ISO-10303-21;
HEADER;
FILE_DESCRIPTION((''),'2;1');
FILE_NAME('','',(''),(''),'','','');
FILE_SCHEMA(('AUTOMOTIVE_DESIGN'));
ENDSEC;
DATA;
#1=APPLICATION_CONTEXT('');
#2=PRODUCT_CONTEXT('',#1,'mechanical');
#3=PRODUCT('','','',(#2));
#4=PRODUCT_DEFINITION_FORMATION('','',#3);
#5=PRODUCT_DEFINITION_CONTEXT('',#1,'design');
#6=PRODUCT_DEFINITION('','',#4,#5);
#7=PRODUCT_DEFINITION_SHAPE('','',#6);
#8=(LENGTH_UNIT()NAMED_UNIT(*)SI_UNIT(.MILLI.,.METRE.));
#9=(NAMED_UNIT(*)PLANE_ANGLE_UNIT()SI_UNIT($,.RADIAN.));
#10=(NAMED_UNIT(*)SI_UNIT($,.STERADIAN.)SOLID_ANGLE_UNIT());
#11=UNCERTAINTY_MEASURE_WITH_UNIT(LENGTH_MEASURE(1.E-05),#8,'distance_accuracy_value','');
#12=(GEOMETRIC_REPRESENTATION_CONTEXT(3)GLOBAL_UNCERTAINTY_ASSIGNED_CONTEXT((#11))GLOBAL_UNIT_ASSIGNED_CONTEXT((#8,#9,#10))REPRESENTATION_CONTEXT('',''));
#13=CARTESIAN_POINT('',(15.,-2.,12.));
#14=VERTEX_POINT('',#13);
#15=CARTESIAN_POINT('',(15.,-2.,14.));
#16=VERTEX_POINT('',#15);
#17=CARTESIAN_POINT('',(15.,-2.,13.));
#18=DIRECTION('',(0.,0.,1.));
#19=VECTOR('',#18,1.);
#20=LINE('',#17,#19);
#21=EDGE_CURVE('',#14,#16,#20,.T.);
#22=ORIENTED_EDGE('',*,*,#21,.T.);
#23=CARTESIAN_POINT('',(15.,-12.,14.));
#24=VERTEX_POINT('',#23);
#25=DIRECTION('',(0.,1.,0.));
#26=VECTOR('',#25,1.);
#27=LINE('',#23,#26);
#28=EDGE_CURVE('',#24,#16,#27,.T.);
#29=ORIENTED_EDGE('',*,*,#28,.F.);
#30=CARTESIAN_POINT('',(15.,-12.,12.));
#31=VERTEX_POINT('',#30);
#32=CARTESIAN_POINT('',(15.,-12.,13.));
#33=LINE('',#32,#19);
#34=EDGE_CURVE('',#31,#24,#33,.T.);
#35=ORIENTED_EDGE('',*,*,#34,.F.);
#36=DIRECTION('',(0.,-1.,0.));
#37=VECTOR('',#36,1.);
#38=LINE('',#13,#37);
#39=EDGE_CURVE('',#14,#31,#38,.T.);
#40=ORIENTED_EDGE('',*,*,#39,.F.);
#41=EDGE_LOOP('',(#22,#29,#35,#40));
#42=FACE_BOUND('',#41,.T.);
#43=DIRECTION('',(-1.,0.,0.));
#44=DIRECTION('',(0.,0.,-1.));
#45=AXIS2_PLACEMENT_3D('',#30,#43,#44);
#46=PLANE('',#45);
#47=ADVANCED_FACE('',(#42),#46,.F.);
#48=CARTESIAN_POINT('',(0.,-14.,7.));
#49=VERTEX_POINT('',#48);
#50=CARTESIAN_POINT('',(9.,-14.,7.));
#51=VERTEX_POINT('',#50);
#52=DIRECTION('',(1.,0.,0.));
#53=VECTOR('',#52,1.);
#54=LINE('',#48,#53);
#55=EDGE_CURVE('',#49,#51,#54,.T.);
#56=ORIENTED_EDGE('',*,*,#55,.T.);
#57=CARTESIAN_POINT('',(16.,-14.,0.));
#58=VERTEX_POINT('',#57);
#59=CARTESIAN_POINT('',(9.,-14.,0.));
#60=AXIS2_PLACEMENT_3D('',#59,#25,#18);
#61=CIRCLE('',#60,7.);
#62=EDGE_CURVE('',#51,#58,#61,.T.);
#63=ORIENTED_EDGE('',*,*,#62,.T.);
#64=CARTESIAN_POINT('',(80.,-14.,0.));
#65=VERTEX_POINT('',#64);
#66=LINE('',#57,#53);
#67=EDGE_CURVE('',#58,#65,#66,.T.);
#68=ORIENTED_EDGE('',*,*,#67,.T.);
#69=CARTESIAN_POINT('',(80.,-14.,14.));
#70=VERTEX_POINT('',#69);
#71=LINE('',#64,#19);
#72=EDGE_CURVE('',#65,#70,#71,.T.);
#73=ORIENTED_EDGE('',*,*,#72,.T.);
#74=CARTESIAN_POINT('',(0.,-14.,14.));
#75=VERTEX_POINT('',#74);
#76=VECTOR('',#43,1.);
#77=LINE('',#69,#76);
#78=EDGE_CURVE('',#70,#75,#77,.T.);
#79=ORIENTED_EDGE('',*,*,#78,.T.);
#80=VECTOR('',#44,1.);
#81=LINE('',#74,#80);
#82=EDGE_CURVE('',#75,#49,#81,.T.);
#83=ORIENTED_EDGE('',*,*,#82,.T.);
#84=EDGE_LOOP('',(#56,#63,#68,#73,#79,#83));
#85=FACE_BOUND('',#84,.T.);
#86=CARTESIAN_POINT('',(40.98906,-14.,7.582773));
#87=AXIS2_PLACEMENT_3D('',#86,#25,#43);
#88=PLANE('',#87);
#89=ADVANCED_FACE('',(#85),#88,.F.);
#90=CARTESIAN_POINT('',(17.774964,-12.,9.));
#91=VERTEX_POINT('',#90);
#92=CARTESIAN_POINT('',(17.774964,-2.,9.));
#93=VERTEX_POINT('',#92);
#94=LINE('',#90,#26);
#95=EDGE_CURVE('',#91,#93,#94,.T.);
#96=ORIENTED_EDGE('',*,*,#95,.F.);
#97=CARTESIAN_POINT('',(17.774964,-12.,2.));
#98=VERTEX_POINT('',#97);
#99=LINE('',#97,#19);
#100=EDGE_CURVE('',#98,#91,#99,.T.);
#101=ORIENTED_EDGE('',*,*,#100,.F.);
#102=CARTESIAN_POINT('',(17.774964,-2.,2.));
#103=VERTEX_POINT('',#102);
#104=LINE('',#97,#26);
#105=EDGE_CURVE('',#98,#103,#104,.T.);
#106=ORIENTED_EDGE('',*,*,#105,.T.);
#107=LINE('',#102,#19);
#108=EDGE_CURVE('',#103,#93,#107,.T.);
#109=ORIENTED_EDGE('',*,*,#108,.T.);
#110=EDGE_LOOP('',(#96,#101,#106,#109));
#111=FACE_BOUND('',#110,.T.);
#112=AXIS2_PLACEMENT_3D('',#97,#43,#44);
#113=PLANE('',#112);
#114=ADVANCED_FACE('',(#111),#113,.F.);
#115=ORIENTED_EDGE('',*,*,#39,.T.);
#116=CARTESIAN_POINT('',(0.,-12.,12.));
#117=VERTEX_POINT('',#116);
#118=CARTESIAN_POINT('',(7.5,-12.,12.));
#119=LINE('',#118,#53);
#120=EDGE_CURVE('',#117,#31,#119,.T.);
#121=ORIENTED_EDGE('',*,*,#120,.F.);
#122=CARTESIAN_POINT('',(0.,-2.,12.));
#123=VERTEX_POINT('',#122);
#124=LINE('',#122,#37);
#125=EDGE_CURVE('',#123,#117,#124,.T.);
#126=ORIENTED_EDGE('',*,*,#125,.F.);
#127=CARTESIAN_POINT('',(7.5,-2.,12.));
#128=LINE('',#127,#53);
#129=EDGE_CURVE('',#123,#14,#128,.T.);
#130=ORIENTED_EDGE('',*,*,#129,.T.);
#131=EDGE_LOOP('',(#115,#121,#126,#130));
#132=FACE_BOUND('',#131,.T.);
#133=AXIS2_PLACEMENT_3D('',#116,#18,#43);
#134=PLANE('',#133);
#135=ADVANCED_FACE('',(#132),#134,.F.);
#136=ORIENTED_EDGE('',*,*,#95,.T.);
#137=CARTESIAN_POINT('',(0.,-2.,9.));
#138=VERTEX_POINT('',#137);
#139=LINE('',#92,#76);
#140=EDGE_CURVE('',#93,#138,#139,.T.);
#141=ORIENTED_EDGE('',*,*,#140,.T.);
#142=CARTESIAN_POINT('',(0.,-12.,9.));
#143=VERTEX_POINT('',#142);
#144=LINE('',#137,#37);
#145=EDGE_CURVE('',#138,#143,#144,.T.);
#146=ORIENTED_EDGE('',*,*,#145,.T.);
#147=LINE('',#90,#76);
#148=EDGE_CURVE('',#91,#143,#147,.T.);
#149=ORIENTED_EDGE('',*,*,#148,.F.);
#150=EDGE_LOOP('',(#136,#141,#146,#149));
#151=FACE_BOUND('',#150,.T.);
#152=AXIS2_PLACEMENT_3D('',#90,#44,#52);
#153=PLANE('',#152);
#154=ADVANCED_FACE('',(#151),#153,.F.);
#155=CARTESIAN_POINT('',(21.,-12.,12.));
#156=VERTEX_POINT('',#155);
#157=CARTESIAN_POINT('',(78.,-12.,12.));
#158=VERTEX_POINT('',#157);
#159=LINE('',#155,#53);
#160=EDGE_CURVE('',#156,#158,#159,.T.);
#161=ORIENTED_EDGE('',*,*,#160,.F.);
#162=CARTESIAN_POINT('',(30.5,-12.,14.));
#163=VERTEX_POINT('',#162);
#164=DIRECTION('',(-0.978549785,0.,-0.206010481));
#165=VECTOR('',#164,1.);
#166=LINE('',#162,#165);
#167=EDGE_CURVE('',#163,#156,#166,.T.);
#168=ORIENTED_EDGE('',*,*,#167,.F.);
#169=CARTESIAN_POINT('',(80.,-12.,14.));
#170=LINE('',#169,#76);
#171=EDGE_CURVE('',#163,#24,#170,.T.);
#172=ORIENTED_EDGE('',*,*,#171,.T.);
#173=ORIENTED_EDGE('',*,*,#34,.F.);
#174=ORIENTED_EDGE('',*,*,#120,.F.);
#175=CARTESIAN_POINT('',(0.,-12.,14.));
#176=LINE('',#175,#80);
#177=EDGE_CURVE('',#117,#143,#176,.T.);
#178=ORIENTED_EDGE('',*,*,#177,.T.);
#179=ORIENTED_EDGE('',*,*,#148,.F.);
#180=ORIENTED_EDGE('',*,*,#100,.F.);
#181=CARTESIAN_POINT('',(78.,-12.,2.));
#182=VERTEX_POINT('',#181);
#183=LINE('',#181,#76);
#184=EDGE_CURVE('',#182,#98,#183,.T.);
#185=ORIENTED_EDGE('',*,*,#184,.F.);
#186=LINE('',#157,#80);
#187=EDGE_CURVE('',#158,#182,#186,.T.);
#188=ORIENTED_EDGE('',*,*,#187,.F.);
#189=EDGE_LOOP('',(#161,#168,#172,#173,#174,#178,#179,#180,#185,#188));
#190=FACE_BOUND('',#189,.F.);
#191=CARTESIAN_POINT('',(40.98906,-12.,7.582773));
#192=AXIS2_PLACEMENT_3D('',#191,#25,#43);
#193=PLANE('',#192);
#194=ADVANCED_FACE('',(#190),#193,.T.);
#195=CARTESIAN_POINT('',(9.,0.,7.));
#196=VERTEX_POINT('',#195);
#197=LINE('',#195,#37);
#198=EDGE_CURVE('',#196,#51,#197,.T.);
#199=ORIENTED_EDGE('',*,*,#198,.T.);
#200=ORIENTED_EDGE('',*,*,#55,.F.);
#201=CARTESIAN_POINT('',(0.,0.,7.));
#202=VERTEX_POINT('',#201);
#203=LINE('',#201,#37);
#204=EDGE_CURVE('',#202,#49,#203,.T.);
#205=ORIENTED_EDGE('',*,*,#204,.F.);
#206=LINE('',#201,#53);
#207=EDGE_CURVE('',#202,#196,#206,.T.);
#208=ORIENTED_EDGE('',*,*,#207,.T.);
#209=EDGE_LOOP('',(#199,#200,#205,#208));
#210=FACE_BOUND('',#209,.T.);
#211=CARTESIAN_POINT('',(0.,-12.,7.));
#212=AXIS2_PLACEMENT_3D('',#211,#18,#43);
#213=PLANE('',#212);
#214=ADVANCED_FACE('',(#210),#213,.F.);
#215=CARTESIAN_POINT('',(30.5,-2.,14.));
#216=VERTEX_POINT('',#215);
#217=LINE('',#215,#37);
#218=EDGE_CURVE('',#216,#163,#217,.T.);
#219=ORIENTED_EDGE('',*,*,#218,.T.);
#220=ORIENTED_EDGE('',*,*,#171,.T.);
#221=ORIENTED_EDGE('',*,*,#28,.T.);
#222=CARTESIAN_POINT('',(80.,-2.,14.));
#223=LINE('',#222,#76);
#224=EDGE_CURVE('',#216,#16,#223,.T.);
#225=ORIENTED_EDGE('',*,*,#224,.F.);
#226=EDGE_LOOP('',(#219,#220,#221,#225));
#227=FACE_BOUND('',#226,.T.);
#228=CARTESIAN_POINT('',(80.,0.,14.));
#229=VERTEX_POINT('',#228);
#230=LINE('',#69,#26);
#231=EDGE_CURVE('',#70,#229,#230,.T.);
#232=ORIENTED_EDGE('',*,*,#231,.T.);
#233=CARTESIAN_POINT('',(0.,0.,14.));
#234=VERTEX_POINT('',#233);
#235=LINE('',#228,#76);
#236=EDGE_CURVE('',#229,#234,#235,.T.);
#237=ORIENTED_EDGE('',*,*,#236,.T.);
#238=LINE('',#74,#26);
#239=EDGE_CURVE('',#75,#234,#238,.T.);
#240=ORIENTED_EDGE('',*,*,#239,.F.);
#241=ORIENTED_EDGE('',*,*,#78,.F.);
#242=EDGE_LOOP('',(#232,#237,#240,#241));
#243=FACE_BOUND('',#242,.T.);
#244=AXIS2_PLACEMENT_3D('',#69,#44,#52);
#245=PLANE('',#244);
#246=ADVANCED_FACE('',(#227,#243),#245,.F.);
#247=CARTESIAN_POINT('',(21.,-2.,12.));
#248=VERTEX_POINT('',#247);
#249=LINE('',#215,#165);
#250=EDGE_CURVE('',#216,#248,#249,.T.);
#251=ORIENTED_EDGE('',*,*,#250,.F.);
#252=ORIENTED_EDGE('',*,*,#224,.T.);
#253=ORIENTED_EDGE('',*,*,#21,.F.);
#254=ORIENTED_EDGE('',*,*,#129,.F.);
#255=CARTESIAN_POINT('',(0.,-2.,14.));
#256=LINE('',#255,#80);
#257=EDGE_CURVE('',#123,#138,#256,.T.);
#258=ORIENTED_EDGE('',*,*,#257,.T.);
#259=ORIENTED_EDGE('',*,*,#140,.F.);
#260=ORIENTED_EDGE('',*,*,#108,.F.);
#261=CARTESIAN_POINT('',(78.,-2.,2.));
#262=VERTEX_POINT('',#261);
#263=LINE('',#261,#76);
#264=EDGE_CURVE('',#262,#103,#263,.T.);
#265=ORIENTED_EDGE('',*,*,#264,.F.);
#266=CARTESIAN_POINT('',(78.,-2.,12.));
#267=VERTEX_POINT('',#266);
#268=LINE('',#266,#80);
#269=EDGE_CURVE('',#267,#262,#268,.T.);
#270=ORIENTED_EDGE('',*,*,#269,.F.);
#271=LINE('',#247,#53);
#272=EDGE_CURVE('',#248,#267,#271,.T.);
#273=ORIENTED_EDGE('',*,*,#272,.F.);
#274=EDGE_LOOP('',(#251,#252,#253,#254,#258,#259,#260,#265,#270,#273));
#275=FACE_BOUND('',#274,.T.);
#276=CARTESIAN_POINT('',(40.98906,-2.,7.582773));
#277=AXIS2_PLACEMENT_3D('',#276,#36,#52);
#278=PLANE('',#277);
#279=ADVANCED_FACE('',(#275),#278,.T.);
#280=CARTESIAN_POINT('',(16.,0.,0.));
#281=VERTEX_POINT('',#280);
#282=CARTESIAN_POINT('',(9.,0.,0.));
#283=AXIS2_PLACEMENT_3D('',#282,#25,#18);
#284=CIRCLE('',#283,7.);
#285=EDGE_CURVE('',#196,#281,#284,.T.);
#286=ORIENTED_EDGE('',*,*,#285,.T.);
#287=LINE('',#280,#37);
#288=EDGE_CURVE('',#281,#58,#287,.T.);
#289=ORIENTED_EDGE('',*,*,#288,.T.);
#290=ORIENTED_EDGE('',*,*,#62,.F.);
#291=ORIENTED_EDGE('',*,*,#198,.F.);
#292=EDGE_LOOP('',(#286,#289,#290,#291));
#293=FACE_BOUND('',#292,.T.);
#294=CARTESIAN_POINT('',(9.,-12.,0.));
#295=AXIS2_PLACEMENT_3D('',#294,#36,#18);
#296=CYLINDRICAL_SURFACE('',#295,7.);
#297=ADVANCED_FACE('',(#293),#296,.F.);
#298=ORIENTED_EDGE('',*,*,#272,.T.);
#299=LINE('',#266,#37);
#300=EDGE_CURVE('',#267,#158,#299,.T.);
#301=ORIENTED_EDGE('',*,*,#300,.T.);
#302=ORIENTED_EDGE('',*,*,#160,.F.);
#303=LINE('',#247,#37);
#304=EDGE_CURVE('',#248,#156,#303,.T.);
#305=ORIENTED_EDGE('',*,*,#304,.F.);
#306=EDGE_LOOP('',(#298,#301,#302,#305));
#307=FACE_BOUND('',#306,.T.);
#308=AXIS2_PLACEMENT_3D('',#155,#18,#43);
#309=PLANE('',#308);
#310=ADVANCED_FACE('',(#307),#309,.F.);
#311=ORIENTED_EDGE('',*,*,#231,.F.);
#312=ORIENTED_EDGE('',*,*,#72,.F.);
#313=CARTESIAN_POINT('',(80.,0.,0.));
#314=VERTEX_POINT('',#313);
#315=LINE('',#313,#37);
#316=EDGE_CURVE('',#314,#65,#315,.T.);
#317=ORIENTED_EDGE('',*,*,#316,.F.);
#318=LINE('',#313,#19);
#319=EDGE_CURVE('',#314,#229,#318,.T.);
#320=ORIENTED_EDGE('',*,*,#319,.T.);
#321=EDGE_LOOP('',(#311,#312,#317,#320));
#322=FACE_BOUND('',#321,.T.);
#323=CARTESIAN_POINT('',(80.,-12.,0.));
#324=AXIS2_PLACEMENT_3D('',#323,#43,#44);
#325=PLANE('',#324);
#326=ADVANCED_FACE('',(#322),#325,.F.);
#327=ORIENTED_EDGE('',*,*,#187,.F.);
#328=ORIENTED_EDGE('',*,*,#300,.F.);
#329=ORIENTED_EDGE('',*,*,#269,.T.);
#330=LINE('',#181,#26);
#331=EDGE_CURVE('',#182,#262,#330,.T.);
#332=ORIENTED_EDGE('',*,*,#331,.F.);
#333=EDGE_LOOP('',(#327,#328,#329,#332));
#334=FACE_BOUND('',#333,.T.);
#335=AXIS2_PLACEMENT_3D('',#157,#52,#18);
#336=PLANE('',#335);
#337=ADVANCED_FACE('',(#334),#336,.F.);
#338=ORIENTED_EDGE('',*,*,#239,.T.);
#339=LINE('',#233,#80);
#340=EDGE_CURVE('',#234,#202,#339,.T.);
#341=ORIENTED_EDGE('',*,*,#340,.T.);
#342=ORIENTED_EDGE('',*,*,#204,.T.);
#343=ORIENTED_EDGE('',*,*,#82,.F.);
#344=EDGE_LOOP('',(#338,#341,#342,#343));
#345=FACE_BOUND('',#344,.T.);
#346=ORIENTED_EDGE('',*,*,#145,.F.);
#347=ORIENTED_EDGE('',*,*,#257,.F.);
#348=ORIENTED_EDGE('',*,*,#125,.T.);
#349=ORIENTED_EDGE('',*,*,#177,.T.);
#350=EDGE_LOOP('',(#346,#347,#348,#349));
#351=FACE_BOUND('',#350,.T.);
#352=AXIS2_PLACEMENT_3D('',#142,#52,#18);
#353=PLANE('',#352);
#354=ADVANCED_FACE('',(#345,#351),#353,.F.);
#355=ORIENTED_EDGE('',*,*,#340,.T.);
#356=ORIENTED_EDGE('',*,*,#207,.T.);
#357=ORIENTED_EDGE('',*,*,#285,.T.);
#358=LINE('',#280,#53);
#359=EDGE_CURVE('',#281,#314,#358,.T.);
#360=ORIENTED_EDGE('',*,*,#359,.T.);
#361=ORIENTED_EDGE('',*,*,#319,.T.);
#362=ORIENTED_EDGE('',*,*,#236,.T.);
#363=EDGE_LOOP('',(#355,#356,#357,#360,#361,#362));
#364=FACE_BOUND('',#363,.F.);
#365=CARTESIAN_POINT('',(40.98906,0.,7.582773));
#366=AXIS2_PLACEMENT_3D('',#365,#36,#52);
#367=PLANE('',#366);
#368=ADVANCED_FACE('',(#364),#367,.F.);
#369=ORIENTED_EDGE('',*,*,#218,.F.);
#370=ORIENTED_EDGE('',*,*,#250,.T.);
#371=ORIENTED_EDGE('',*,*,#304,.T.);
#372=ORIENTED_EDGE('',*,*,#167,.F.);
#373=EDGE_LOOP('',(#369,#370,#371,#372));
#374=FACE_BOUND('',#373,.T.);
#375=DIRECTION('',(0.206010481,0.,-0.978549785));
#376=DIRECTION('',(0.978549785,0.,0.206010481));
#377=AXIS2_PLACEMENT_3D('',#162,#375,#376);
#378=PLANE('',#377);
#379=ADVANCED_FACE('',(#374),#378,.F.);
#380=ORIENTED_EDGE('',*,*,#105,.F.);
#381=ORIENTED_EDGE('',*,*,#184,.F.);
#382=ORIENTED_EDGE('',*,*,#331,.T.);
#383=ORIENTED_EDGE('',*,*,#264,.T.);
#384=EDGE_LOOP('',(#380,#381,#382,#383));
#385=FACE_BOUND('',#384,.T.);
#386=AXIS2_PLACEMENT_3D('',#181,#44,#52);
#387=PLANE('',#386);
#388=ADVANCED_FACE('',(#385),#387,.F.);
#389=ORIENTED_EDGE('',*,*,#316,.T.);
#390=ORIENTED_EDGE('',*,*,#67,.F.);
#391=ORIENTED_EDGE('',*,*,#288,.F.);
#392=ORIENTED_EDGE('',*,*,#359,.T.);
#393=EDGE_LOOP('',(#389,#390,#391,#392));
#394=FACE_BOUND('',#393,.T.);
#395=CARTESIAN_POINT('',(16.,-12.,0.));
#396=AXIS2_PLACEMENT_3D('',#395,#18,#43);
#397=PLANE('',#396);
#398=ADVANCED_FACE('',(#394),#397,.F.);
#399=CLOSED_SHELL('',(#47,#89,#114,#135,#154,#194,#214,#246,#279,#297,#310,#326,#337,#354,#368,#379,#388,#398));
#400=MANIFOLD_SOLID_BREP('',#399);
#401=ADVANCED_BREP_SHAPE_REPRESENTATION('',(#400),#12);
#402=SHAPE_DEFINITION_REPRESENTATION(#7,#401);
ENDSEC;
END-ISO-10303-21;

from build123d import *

# Parameters (mm, degrees)
F1_DEPTH = 2
F2_W     = 15
F2_H     = 2
F3_DEPTH = 5


with BuildPart() as f1:
    # F0 (on Front) → F1 (new body)
    with BuildSketch(Plane.XZ):
        with BuildLine():
            ThreePointArc((9, 7), (13.9497474683, 4.9497474683), (16, 0))
            Line((16, 0), (80, 0))
            Line((80, 0), (80, 14))
            Line((80, 14), (0, 14))
            Line((0, 14), (0, 7))
            Line((0, 7), (9, 7))
        make_face()
    extrude(amount=F1_DEPTH)

    # F2 (on face) → F3 (join)
    with BuildSketch(Plane.XZ.offset(2)):
        with BuildLine():
            Line((17.7749643874, 9), (0, 9))
            Line((0, 9), (0, 7))
            Line((0, 7), (9, 7))
            ThreePointArc((9, 7), (13.9497474683, 4.9497474683), (16, 0))
            Line((16, 0), (80, 0))
            Line((80, 0), (80, 14))
            Line((80, 14), (30.5, 14))
            Line((30.5, 14), (21, 12))
            Line((21, 12), (78, 12))
            Line((78, 12), (78, 2))
            Line((78, 2), (17.7749643874, 2))
            Line((17.7749643874, 2), (17.7749643874, 9))
        make_face()
        with Locations((7.5, 13)):
            Rectangle(F2_W, F2_H)
    extrude(amount=F3_DEPTH)

    # F4: F1 across face


with BuildPart() as f1_1:
    add(f1.part)
    add(f1.part.mirror(Plane(origin=(45.1805632689, -7, 6.6042722169), x_dir=(1, 0, 0), z_dir=(0, -1, 0))))


solid = f1_1.part
